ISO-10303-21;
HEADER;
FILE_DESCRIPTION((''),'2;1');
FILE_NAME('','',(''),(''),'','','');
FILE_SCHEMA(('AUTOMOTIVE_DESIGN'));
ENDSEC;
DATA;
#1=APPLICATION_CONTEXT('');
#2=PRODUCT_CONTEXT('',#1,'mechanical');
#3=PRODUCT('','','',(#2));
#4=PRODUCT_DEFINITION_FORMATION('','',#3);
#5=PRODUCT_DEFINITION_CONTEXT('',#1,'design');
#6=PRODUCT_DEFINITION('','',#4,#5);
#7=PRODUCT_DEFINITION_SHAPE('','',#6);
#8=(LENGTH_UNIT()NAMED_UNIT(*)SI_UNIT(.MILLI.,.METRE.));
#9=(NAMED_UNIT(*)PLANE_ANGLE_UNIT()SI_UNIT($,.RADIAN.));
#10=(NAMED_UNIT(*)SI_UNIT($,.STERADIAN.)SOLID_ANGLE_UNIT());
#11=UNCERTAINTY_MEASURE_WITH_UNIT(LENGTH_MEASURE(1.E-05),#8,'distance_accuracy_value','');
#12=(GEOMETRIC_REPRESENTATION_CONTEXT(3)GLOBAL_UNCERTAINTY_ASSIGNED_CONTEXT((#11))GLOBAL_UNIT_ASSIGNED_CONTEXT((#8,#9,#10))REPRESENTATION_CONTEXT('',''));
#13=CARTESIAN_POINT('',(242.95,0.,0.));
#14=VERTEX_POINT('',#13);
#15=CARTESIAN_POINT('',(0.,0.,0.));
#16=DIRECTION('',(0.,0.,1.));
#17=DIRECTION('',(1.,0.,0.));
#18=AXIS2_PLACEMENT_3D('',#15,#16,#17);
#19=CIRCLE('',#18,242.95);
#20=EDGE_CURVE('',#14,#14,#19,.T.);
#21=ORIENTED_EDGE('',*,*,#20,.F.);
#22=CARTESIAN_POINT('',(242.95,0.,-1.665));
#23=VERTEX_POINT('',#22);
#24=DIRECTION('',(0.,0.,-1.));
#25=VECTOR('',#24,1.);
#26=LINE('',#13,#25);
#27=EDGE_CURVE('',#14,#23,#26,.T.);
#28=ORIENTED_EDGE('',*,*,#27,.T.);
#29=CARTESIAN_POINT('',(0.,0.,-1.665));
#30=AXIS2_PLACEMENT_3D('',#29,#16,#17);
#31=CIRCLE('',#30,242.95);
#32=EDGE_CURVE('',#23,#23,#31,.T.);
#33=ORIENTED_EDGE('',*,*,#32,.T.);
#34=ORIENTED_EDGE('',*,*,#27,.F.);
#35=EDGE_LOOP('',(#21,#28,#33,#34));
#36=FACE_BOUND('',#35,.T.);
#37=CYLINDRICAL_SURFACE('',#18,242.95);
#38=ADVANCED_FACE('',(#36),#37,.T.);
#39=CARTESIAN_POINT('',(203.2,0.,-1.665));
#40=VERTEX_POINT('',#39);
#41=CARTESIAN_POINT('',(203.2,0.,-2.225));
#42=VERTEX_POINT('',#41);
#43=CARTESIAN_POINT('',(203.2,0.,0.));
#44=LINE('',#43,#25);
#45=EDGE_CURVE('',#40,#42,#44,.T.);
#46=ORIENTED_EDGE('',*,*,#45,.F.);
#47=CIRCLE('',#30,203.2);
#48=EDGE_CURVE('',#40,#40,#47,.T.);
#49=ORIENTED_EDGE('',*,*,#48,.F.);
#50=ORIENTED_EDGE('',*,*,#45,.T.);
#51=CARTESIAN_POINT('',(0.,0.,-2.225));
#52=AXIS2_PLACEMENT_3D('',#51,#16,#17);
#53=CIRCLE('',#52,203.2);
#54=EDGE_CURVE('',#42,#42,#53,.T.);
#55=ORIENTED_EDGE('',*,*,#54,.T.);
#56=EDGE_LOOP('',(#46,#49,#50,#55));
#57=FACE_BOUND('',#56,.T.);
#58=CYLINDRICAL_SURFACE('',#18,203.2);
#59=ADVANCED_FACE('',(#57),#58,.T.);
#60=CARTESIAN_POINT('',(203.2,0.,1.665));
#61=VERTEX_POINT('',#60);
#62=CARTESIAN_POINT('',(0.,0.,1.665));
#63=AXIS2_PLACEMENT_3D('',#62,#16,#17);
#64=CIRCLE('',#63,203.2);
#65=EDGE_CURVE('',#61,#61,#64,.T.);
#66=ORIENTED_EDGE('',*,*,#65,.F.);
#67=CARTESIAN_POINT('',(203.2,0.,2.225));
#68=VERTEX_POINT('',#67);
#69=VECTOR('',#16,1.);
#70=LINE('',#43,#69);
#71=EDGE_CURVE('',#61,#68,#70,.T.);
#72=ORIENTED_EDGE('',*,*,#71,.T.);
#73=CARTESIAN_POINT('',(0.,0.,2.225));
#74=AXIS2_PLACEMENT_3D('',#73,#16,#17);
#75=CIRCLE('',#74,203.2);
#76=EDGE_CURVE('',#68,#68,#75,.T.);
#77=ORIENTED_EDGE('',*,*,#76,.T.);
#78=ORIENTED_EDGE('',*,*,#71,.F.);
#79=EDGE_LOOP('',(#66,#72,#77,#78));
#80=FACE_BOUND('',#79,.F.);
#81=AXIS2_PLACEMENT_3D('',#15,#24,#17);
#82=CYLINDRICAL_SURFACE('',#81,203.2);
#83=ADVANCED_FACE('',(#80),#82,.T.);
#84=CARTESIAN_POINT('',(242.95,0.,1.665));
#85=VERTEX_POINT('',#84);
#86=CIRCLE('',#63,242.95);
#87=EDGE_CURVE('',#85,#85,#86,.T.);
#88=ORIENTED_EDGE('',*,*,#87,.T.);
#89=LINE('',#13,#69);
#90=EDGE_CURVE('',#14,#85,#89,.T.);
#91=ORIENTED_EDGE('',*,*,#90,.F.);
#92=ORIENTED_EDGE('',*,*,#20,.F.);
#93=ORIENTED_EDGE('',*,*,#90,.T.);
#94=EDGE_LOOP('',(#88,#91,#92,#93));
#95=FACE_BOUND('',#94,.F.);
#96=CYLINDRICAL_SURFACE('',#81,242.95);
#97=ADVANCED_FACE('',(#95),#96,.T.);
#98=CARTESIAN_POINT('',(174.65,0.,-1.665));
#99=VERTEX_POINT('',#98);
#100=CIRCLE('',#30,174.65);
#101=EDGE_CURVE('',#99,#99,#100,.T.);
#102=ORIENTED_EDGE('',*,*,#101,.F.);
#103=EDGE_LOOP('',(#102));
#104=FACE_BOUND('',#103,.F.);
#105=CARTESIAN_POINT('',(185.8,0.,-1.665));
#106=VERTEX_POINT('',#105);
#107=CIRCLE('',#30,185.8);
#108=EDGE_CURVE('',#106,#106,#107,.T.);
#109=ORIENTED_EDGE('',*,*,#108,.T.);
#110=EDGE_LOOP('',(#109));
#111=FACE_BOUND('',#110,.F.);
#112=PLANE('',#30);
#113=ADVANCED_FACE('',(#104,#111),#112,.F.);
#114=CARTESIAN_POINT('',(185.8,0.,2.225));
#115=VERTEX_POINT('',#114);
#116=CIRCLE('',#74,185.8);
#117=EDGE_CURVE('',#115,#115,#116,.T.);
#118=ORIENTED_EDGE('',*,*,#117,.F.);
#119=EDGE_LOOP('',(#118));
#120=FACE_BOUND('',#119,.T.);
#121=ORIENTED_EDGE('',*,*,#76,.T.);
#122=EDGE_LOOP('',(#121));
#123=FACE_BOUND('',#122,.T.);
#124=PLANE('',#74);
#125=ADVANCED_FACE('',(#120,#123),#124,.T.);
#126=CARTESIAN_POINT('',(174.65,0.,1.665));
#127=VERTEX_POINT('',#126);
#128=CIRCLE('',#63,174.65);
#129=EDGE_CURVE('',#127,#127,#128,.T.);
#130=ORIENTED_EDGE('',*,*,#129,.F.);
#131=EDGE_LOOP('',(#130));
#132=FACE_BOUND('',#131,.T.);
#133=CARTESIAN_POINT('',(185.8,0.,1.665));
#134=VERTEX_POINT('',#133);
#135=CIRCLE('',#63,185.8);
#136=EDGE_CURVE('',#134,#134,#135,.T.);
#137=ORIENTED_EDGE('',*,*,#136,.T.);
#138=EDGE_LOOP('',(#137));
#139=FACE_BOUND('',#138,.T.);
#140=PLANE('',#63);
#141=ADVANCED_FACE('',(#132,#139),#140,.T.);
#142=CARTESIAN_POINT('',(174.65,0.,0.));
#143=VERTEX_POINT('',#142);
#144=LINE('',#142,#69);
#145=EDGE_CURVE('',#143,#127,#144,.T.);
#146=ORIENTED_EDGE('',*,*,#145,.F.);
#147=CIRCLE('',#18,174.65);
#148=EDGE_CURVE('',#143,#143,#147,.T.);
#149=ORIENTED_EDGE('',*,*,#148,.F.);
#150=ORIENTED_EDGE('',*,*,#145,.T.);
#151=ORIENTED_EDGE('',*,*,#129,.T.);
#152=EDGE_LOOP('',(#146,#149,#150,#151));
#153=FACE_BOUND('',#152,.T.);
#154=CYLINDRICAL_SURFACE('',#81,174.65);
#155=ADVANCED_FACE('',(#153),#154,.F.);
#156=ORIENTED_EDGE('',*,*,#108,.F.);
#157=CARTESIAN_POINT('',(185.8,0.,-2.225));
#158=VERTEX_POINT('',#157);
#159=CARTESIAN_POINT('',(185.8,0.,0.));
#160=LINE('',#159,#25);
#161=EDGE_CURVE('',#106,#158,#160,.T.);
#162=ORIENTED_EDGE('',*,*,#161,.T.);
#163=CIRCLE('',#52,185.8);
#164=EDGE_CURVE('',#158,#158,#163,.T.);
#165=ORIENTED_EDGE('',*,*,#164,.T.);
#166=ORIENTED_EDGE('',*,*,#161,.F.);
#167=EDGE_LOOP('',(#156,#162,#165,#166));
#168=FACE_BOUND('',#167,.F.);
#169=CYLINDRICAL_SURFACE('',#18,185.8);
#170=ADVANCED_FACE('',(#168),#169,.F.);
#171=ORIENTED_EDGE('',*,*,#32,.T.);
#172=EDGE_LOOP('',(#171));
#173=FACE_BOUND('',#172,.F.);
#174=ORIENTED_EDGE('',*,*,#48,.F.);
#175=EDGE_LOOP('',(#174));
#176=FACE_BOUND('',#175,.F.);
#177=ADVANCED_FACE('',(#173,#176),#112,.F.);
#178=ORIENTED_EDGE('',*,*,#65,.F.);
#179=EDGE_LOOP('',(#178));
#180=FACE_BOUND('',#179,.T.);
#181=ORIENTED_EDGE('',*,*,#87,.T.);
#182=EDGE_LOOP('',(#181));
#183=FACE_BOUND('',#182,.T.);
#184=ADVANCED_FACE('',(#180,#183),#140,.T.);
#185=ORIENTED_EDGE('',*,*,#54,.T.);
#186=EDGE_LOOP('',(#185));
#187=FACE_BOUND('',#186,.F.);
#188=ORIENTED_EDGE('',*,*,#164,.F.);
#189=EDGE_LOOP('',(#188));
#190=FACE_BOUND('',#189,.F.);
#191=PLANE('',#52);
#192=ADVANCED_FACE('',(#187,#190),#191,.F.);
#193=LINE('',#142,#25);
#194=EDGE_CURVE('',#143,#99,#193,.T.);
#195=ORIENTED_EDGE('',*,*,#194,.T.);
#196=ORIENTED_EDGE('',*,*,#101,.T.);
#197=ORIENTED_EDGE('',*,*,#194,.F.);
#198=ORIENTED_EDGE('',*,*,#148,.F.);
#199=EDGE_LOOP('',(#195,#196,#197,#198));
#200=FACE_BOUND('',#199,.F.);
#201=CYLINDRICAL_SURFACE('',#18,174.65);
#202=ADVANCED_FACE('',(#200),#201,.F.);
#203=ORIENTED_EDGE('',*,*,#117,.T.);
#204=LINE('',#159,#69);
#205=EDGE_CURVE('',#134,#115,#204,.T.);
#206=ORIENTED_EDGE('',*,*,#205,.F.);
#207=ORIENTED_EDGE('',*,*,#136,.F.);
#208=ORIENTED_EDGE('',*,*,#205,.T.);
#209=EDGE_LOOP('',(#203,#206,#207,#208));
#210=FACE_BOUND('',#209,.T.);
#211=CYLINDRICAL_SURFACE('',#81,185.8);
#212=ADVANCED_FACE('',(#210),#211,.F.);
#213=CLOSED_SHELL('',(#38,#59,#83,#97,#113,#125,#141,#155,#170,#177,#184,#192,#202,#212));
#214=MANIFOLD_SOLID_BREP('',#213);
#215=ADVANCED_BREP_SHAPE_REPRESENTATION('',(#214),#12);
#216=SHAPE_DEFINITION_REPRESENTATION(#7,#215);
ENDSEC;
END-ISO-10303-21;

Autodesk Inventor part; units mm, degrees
ref_plane "YZ Plane" through (0, 0, 0) normal (1, 0, 0) x (0, 1, 0)
ref_plane "XZ Plane" through (0, 0, 0) normal (0, 1, 0) x (-1, 0, 0)
ref_plane "XY Plane" through (0, 0, 0) normal (0, 0, 1) x (1, 0, 0)
sketch "Sketch1" plane through (0, 0, 0) normal (0, 0, 1) x (1, 0, 0)
  circle A0 centre (0, 0) radius 174.65
  circle A1 centre (0, 0) radius 242.95
  circle A2 centre (0, 0) radius 185.8
  circle A3 centre (0, 0) radius 203.2
  dimension "d0" = 349.3
  dimension "d1" = 485.9
  dimension "d2" = 371.6
  dimension "d3" = 406.4
extrude "Extrusion1" add sketch "Sketch1" along normal mid plane 3.33
extrude "Extrusion2" add sketch "Sketch1" along normal mid plane 4.45 contours A3
properties part number "Gasket" material "Steel, Carbon"
